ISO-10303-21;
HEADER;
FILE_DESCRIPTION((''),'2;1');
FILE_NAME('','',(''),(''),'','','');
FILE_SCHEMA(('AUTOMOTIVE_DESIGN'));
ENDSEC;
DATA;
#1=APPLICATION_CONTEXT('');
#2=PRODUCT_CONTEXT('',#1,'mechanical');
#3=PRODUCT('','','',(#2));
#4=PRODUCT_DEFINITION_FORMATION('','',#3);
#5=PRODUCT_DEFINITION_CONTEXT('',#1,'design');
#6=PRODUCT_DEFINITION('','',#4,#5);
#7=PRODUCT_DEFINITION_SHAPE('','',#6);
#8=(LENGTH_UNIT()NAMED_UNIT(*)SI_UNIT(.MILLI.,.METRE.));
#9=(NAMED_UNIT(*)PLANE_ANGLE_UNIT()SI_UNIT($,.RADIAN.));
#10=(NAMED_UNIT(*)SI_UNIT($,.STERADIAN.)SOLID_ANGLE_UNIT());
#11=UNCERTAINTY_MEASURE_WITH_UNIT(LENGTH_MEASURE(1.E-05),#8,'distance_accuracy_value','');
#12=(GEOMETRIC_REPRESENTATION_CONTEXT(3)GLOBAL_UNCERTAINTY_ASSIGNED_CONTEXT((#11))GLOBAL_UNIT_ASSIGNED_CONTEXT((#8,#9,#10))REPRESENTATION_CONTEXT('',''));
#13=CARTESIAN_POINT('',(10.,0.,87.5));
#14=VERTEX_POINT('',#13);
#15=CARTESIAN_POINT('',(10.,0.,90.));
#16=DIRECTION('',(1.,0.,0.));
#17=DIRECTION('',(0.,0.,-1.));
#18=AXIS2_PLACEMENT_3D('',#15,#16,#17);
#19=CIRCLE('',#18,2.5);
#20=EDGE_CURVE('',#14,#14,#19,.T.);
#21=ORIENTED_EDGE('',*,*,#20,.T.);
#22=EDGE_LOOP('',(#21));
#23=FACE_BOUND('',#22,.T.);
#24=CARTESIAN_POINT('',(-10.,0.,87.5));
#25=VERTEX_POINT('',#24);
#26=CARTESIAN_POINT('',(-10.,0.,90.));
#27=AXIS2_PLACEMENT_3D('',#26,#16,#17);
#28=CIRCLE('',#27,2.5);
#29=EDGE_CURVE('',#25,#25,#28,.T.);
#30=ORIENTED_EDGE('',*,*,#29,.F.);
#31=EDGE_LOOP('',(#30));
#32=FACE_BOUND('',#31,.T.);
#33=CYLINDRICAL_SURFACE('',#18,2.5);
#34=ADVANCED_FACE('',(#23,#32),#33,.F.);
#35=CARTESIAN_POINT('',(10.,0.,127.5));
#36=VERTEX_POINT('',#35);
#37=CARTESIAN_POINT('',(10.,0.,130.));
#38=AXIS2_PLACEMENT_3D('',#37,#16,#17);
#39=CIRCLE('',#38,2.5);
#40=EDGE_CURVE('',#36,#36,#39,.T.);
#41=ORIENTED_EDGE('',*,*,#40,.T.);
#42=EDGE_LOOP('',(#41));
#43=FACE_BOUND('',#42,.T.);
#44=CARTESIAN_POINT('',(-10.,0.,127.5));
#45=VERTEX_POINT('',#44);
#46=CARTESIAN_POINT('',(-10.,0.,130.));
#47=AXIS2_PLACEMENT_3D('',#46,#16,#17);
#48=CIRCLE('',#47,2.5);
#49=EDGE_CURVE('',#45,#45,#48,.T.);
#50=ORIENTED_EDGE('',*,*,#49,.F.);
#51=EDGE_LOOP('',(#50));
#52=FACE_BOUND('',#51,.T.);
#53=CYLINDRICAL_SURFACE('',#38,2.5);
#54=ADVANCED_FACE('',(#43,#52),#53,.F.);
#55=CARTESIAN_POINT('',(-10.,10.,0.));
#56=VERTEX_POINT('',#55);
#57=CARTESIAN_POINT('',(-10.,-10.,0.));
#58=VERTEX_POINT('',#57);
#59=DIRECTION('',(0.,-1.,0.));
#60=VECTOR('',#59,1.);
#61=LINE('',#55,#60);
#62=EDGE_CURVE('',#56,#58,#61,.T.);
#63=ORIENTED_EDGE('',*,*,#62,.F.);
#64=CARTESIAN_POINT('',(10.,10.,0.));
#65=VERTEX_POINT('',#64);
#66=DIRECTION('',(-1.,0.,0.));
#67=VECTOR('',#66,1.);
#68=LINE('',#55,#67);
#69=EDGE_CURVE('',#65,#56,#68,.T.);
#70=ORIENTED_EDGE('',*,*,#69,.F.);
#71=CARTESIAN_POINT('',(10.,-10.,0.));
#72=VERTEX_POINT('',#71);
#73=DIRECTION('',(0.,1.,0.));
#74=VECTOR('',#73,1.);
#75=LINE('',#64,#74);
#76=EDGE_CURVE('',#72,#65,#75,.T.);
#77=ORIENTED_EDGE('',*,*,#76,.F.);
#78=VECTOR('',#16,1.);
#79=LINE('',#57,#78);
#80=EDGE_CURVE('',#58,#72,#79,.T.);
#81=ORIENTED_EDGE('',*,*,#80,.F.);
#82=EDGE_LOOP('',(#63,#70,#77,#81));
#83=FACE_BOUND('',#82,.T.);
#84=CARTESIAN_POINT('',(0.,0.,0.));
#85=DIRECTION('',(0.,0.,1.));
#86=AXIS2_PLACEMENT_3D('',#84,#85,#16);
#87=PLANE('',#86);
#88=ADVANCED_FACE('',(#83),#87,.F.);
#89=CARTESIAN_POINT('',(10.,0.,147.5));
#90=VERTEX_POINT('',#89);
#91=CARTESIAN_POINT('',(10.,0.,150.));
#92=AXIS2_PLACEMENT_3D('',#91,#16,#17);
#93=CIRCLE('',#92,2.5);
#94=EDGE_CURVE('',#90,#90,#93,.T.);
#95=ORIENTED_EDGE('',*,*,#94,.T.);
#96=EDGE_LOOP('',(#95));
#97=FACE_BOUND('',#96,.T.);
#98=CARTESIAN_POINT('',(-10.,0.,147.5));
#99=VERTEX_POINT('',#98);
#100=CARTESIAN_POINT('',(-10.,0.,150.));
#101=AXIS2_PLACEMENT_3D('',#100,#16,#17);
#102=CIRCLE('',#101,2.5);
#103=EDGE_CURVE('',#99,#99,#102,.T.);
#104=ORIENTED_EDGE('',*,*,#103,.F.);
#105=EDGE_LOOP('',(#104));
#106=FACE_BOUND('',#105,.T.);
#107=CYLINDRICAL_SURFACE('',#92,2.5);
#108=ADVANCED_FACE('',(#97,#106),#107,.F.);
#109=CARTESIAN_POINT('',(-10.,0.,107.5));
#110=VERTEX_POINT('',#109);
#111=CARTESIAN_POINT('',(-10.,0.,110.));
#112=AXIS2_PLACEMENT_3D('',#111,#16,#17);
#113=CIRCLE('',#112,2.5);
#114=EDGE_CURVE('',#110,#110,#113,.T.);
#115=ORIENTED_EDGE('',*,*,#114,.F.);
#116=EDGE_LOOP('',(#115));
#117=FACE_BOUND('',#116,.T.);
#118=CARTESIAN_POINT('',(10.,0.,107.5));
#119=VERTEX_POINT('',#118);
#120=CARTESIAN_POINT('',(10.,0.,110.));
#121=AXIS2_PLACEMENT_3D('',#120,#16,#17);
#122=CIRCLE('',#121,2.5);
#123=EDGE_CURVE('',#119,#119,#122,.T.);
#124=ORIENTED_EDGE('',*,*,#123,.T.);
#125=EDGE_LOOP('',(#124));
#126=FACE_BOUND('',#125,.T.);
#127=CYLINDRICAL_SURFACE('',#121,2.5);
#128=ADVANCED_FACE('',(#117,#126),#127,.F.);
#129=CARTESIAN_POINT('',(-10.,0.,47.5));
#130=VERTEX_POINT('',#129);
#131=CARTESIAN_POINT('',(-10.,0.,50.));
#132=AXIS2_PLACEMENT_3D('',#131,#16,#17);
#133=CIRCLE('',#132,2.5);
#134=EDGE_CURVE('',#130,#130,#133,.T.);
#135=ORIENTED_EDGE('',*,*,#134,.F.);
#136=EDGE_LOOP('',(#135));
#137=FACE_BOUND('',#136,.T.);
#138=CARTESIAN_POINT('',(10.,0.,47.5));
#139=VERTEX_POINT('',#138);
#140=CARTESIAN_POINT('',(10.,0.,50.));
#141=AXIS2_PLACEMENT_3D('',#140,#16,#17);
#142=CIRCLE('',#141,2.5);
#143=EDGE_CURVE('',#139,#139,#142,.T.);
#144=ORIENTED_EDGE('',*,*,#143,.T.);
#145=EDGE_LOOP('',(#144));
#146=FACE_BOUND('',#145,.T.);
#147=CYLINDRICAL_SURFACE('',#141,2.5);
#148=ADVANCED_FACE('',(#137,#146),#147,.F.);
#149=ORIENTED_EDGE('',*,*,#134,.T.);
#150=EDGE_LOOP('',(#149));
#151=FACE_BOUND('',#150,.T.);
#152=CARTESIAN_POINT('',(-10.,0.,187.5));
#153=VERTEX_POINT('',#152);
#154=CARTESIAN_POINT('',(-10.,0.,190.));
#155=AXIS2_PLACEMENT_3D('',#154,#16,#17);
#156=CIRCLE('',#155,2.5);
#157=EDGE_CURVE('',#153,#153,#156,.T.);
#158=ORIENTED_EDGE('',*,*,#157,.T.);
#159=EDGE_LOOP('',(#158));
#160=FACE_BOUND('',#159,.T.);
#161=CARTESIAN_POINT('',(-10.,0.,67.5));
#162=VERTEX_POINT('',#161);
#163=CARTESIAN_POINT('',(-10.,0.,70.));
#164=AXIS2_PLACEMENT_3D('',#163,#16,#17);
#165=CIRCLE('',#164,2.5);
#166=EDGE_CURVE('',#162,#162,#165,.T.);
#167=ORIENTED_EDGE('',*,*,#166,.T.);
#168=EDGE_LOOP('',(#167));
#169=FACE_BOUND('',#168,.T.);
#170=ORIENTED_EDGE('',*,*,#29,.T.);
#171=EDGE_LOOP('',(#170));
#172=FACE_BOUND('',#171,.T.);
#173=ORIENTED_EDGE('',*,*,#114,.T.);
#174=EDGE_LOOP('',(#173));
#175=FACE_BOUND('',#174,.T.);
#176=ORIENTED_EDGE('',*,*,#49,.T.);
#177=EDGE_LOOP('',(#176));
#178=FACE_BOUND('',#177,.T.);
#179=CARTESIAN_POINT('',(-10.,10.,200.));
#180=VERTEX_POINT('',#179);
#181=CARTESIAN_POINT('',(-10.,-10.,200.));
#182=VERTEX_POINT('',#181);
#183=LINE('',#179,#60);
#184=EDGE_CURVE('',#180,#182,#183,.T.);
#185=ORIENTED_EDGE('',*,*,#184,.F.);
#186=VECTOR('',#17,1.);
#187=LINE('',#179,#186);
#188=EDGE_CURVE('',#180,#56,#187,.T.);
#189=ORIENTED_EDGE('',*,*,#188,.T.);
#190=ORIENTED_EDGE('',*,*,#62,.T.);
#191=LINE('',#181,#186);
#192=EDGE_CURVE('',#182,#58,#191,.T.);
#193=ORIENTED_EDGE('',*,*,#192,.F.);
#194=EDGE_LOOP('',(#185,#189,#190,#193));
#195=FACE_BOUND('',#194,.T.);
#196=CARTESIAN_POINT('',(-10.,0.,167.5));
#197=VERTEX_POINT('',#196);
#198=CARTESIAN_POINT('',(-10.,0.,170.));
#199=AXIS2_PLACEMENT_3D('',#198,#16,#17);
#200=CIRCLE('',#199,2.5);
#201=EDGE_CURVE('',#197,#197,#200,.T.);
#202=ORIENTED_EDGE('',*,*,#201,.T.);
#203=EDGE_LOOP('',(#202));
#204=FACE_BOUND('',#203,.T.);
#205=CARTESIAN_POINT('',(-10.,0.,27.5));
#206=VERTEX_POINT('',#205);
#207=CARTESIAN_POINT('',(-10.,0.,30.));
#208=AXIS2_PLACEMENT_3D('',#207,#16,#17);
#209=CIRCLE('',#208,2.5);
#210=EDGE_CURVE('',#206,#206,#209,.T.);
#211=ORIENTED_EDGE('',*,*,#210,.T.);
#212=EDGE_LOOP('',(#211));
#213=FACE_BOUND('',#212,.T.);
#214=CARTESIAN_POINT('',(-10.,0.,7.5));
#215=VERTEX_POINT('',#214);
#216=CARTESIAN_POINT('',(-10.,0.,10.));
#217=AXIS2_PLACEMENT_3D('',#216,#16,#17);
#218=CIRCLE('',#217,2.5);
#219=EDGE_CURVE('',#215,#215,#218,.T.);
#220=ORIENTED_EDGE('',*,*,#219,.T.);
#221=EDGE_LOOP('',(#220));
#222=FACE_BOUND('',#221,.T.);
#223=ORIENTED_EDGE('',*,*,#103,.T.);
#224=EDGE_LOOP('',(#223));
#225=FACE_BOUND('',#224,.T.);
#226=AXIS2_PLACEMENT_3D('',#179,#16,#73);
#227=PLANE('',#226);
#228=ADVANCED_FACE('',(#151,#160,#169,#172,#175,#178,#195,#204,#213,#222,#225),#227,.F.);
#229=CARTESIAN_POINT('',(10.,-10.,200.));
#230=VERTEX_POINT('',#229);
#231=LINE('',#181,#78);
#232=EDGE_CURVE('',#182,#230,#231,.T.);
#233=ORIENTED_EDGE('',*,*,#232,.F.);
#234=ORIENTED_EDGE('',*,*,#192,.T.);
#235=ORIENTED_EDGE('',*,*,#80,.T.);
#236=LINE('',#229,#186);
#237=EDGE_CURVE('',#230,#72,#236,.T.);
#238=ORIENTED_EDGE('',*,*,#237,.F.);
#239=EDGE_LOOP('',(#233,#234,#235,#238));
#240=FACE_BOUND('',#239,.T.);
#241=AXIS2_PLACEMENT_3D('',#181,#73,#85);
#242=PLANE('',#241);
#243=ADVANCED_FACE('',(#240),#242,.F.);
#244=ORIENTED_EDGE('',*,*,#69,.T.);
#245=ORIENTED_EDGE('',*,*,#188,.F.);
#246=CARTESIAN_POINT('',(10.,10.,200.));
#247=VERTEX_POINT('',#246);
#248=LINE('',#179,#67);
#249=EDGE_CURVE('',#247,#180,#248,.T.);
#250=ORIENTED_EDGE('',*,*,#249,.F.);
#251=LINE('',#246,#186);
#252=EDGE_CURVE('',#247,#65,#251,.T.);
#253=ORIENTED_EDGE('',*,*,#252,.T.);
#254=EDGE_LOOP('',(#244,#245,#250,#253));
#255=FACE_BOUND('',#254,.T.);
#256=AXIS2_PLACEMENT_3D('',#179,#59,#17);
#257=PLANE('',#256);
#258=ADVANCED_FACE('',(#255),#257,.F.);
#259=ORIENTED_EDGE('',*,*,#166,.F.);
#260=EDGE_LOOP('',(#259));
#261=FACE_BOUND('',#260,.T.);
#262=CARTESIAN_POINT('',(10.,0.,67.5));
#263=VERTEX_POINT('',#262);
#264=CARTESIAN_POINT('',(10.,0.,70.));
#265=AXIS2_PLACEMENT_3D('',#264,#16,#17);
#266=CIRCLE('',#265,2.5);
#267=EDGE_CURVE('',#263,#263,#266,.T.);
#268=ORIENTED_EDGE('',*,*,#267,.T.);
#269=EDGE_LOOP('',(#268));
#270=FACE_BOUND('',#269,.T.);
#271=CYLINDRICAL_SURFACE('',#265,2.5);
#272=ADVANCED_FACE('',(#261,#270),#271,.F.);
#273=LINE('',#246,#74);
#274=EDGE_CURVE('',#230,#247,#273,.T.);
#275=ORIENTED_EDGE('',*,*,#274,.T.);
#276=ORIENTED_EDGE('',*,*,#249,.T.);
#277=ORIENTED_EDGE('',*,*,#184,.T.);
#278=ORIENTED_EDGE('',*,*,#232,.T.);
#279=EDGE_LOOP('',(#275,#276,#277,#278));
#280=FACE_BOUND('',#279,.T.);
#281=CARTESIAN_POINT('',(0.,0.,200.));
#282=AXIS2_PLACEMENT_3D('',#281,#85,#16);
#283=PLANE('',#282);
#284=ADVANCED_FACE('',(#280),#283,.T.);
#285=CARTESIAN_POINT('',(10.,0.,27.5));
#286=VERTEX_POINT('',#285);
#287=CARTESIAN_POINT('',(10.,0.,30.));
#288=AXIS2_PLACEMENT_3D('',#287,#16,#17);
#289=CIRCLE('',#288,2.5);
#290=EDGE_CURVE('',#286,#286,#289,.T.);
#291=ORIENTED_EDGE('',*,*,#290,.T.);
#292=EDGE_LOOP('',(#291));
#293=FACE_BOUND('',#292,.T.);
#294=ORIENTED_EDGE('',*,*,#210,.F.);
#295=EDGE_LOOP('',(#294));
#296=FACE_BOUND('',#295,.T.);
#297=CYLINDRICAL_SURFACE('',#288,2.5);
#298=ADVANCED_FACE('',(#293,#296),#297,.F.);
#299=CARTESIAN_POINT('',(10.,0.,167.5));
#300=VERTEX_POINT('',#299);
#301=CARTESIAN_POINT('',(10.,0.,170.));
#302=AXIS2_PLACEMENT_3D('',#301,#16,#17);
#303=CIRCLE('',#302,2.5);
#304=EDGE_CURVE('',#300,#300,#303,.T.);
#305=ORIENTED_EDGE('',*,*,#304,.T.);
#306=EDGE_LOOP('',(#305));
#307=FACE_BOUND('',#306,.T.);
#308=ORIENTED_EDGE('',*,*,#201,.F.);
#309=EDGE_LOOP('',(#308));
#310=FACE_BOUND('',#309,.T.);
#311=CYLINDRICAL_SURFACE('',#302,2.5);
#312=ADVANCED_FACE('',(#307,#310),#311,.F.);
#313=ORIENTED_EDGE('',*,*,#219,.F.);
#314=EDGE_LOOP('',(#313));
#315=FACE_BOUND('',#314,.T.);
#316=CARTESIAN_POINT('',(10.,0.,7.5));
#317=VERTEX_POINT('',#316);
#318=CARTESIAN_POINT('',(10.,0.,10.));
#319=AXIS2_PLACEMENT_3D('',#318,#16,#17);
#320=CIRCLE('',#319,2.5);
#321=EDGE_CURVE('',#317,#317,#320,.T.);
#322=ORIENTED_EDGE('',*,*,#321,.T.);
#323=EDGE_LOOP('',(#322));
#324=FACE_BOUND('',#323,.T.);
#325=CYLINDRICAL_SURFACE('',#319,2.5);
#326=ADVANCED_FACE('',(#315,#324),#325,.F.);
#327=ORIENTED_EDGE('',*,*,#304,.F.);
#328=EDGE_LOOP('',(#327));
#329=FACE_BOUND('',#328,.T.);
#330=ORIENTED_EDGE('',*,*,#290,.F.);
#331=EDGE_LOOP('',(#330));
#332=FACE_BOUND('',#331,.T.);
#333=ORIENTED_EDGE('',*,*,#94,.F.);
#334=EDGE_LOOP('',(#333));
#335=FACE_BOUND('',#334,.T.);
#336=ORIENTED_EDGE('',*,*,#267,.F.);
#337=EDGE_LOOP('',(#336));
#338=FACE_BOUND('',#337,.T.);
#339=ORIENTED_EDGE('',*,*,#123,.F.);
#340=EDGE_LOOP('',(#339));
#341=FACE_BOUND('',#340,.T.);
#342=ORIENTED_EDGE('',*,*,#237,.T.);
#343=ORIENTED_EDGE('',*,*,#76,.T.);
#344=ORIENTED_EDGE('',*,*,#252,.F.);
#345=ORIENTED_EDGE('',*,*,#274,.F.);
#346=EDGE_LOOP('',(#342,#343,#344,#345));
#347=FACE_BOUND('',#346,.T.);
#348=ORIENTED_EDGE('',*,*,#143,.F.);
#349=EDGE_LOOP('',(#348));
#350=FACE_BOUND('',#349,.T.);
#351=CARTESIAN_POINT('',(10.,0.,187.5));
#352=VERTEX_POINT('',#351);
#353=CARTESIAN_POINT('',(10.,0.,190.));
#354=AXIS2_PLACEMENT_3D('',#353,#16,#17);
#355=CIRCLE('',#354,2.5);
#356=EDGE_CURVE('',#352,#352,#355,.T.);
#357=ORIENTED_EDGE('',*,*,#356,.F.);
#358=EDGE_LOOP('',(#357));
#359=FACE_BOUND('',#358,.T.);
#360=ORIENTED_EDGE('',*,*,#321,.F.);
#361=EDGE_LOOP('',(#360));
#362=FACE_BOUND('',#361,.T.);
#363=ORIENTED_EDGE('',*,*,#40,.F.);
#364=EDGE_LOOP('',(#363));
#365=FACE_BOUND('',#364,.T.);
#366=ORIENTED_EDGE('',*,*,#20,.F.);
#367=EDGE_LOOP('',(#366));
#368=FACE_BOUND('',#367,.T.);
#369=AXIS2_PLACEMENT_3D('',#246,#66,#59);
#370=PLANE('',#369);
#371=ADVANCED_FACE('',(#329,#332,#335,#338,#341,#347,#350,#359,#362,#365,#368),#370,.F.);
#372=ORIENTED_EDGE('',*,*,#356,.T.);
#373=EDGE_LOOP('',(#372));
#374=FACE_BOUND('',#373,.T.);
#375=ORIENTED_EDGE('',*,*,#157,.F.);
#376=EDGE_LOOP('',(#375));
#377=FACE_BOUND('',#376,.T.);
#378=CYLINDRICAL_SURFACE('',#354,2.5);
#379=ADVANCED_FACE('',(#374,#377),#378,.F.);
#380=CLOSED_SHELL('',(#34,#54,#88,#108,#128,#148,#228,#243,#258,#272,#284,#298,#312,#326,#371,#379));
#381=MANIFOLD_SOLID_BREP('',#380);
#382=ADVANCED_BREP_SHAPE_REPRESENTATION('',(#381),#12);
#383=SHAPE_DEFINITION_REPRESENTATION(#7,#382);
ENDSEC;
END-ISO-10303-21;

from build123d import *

# Parameters (mm, degrees)
SKETCH1_W             = 20
SKETCH1_H             = 20
BOSS_EXTRUDE1_DEPTH   = 200
F_5_0MM_DOWEL_HOLE1_D = 5
LPATTERN2_COUNT       = 10
LPATTERN2_PITCH       = 20


with BuildPart() as part:
    # Sketch1 → Boss-Extrude1 (new body)
    with BuildSketch(Plane.XY):
        Rectangle(SKETCH1_W, SKETCH1_H)
    extrude(amount=BOSS_EXTRUDE1_DEPTH)

    # Ø5.0mm Dowel Hole1 (through all)
    with Locations(Plane(origin=(10, 0, 0), x_dir=(0, 0, -1), z_dir=(1, 0, 0))):
        with Locations((-10, 0)):
            f_5_0mm_dowel_hole1 = Hole(F_5_0MM_DOWEL_HOLE1_D / 2)

    # LPattern2: Ø5.0mm Dowel Hole1 ×10
    with Locations(*[(0, 0, i * LPATTERN2_PITCH) for i in range(1, LPATTERN2_COUNT)]):
        add(f_5_0mm_dowel_hole1, mode=Mode.SUBTRACT)


solid = part.part
